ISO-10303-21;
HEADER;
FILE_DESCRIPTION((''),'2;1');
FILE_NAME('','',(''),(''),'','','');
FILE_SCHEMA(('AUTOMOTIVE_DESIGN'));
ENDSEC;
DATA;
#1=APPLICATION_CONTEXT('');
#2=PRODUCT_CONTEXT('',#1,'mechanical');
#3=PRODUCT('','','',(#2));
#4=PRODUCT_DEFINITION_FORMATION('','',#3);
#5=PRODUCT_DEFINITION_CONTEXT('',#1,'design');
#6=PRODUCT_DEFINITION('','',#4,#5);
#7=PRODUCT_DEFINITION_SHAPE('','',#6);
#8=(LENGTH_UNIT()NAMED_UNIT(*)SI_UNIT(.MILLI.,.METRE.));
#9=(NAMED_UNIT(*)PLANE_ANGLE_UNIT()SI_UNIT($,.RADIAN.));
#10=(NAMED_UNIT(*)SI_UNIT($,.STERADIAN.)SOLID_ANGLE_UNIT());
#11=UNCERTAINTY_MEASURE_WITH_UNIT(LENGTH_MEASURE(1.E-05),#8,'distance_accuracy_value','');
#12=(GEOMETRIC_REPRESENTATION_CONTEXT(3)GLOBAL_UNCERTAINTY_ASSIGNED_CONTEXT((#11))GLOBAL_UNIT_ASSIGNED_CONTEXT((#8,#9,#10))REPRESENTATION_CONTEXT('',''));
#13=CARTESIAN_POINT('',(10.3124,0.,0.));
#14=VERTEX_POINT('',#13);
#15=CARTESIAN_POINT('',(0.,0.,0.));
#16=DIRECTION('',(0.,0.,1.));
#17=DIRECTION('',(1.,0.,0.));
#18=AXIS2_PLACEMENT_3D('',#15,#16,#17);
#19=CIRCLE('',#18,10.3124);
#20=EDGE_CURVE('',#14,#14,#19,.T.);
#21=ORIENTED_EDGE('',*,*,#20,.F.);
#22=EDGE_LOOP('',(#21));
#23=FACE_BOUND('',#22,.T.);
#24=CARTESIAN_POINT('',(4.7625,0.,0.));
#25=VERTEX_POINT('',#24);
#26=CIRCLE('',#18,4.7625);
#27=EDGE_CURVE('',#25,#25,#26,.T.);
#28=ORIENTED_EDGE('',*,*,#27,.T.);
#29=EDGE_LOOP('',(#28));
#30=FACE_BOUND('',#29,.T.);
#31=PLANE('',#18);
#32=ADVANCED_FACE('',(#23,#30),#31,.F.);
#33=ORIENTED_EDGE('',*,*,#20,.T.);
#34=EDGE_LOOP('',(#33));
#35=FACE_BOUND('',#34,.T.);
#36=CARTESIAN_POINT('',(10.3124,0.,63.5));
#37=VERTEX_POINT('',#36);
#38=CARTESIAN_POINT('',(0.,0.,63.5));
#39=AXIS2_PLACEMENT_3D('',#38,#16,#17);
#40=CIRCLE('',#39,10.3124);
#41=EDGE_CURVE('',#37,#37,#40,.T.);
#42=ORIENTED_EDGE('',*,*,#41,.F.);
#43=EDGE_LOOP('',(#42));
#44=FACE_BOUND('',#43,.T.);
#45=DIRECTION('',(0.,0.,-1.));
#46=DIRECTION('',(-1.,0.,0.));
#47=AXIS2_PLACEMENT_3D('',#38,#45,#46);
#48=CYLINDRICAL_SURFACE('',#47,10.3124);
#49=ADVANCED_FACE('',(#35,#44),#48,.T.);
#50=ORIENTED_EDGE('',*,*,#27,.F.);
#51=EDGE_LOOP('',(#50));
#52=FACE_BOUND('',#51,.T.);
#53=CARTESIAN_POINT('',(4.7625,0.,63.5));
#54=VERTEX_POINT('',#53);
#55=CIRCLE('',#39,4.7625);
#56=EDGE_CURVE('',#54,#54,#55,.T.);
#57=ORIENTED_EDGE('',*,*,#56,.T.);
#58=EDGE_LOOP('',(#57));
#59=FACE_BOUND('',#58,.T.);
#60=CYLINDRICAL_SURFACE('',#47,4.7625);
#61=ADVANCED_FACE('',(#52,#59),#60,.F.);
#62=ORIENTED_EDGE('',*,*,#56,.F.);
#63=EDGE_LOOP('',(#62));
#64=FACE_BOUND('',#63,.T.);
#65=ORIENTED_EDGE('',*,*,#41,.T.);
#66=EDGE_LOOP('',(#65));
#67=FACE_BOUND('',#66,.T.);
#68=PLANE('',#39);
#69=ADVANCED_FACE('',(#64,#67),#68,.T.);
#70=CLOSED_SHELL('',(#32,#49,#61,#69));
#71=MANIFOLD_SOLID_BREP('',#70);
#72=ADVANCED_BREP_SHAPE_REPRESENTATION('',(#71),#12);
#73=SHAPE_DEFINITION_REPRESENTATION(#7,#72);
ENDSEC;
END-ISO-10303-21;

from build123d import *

# Parameters (mm, degrees)
SKETCH1_R           = 10.3124
SKETCH1_R_2         = 4.7625
BOSS_EXTRUDE1_DEPTH = 63.5


with BuildPart() as part:
    # Sketch1 → Boss-Extrude1 (new body)
    with BuildSketch(Plane.XY):
        Circle(SKETCH1_R)
        Circle(SKETCH1_R_2, mode=Mode.SUBTRACT)
    extrude(amount=BOSS_EXTRUDE1_DEPTH)


solid = part.part
